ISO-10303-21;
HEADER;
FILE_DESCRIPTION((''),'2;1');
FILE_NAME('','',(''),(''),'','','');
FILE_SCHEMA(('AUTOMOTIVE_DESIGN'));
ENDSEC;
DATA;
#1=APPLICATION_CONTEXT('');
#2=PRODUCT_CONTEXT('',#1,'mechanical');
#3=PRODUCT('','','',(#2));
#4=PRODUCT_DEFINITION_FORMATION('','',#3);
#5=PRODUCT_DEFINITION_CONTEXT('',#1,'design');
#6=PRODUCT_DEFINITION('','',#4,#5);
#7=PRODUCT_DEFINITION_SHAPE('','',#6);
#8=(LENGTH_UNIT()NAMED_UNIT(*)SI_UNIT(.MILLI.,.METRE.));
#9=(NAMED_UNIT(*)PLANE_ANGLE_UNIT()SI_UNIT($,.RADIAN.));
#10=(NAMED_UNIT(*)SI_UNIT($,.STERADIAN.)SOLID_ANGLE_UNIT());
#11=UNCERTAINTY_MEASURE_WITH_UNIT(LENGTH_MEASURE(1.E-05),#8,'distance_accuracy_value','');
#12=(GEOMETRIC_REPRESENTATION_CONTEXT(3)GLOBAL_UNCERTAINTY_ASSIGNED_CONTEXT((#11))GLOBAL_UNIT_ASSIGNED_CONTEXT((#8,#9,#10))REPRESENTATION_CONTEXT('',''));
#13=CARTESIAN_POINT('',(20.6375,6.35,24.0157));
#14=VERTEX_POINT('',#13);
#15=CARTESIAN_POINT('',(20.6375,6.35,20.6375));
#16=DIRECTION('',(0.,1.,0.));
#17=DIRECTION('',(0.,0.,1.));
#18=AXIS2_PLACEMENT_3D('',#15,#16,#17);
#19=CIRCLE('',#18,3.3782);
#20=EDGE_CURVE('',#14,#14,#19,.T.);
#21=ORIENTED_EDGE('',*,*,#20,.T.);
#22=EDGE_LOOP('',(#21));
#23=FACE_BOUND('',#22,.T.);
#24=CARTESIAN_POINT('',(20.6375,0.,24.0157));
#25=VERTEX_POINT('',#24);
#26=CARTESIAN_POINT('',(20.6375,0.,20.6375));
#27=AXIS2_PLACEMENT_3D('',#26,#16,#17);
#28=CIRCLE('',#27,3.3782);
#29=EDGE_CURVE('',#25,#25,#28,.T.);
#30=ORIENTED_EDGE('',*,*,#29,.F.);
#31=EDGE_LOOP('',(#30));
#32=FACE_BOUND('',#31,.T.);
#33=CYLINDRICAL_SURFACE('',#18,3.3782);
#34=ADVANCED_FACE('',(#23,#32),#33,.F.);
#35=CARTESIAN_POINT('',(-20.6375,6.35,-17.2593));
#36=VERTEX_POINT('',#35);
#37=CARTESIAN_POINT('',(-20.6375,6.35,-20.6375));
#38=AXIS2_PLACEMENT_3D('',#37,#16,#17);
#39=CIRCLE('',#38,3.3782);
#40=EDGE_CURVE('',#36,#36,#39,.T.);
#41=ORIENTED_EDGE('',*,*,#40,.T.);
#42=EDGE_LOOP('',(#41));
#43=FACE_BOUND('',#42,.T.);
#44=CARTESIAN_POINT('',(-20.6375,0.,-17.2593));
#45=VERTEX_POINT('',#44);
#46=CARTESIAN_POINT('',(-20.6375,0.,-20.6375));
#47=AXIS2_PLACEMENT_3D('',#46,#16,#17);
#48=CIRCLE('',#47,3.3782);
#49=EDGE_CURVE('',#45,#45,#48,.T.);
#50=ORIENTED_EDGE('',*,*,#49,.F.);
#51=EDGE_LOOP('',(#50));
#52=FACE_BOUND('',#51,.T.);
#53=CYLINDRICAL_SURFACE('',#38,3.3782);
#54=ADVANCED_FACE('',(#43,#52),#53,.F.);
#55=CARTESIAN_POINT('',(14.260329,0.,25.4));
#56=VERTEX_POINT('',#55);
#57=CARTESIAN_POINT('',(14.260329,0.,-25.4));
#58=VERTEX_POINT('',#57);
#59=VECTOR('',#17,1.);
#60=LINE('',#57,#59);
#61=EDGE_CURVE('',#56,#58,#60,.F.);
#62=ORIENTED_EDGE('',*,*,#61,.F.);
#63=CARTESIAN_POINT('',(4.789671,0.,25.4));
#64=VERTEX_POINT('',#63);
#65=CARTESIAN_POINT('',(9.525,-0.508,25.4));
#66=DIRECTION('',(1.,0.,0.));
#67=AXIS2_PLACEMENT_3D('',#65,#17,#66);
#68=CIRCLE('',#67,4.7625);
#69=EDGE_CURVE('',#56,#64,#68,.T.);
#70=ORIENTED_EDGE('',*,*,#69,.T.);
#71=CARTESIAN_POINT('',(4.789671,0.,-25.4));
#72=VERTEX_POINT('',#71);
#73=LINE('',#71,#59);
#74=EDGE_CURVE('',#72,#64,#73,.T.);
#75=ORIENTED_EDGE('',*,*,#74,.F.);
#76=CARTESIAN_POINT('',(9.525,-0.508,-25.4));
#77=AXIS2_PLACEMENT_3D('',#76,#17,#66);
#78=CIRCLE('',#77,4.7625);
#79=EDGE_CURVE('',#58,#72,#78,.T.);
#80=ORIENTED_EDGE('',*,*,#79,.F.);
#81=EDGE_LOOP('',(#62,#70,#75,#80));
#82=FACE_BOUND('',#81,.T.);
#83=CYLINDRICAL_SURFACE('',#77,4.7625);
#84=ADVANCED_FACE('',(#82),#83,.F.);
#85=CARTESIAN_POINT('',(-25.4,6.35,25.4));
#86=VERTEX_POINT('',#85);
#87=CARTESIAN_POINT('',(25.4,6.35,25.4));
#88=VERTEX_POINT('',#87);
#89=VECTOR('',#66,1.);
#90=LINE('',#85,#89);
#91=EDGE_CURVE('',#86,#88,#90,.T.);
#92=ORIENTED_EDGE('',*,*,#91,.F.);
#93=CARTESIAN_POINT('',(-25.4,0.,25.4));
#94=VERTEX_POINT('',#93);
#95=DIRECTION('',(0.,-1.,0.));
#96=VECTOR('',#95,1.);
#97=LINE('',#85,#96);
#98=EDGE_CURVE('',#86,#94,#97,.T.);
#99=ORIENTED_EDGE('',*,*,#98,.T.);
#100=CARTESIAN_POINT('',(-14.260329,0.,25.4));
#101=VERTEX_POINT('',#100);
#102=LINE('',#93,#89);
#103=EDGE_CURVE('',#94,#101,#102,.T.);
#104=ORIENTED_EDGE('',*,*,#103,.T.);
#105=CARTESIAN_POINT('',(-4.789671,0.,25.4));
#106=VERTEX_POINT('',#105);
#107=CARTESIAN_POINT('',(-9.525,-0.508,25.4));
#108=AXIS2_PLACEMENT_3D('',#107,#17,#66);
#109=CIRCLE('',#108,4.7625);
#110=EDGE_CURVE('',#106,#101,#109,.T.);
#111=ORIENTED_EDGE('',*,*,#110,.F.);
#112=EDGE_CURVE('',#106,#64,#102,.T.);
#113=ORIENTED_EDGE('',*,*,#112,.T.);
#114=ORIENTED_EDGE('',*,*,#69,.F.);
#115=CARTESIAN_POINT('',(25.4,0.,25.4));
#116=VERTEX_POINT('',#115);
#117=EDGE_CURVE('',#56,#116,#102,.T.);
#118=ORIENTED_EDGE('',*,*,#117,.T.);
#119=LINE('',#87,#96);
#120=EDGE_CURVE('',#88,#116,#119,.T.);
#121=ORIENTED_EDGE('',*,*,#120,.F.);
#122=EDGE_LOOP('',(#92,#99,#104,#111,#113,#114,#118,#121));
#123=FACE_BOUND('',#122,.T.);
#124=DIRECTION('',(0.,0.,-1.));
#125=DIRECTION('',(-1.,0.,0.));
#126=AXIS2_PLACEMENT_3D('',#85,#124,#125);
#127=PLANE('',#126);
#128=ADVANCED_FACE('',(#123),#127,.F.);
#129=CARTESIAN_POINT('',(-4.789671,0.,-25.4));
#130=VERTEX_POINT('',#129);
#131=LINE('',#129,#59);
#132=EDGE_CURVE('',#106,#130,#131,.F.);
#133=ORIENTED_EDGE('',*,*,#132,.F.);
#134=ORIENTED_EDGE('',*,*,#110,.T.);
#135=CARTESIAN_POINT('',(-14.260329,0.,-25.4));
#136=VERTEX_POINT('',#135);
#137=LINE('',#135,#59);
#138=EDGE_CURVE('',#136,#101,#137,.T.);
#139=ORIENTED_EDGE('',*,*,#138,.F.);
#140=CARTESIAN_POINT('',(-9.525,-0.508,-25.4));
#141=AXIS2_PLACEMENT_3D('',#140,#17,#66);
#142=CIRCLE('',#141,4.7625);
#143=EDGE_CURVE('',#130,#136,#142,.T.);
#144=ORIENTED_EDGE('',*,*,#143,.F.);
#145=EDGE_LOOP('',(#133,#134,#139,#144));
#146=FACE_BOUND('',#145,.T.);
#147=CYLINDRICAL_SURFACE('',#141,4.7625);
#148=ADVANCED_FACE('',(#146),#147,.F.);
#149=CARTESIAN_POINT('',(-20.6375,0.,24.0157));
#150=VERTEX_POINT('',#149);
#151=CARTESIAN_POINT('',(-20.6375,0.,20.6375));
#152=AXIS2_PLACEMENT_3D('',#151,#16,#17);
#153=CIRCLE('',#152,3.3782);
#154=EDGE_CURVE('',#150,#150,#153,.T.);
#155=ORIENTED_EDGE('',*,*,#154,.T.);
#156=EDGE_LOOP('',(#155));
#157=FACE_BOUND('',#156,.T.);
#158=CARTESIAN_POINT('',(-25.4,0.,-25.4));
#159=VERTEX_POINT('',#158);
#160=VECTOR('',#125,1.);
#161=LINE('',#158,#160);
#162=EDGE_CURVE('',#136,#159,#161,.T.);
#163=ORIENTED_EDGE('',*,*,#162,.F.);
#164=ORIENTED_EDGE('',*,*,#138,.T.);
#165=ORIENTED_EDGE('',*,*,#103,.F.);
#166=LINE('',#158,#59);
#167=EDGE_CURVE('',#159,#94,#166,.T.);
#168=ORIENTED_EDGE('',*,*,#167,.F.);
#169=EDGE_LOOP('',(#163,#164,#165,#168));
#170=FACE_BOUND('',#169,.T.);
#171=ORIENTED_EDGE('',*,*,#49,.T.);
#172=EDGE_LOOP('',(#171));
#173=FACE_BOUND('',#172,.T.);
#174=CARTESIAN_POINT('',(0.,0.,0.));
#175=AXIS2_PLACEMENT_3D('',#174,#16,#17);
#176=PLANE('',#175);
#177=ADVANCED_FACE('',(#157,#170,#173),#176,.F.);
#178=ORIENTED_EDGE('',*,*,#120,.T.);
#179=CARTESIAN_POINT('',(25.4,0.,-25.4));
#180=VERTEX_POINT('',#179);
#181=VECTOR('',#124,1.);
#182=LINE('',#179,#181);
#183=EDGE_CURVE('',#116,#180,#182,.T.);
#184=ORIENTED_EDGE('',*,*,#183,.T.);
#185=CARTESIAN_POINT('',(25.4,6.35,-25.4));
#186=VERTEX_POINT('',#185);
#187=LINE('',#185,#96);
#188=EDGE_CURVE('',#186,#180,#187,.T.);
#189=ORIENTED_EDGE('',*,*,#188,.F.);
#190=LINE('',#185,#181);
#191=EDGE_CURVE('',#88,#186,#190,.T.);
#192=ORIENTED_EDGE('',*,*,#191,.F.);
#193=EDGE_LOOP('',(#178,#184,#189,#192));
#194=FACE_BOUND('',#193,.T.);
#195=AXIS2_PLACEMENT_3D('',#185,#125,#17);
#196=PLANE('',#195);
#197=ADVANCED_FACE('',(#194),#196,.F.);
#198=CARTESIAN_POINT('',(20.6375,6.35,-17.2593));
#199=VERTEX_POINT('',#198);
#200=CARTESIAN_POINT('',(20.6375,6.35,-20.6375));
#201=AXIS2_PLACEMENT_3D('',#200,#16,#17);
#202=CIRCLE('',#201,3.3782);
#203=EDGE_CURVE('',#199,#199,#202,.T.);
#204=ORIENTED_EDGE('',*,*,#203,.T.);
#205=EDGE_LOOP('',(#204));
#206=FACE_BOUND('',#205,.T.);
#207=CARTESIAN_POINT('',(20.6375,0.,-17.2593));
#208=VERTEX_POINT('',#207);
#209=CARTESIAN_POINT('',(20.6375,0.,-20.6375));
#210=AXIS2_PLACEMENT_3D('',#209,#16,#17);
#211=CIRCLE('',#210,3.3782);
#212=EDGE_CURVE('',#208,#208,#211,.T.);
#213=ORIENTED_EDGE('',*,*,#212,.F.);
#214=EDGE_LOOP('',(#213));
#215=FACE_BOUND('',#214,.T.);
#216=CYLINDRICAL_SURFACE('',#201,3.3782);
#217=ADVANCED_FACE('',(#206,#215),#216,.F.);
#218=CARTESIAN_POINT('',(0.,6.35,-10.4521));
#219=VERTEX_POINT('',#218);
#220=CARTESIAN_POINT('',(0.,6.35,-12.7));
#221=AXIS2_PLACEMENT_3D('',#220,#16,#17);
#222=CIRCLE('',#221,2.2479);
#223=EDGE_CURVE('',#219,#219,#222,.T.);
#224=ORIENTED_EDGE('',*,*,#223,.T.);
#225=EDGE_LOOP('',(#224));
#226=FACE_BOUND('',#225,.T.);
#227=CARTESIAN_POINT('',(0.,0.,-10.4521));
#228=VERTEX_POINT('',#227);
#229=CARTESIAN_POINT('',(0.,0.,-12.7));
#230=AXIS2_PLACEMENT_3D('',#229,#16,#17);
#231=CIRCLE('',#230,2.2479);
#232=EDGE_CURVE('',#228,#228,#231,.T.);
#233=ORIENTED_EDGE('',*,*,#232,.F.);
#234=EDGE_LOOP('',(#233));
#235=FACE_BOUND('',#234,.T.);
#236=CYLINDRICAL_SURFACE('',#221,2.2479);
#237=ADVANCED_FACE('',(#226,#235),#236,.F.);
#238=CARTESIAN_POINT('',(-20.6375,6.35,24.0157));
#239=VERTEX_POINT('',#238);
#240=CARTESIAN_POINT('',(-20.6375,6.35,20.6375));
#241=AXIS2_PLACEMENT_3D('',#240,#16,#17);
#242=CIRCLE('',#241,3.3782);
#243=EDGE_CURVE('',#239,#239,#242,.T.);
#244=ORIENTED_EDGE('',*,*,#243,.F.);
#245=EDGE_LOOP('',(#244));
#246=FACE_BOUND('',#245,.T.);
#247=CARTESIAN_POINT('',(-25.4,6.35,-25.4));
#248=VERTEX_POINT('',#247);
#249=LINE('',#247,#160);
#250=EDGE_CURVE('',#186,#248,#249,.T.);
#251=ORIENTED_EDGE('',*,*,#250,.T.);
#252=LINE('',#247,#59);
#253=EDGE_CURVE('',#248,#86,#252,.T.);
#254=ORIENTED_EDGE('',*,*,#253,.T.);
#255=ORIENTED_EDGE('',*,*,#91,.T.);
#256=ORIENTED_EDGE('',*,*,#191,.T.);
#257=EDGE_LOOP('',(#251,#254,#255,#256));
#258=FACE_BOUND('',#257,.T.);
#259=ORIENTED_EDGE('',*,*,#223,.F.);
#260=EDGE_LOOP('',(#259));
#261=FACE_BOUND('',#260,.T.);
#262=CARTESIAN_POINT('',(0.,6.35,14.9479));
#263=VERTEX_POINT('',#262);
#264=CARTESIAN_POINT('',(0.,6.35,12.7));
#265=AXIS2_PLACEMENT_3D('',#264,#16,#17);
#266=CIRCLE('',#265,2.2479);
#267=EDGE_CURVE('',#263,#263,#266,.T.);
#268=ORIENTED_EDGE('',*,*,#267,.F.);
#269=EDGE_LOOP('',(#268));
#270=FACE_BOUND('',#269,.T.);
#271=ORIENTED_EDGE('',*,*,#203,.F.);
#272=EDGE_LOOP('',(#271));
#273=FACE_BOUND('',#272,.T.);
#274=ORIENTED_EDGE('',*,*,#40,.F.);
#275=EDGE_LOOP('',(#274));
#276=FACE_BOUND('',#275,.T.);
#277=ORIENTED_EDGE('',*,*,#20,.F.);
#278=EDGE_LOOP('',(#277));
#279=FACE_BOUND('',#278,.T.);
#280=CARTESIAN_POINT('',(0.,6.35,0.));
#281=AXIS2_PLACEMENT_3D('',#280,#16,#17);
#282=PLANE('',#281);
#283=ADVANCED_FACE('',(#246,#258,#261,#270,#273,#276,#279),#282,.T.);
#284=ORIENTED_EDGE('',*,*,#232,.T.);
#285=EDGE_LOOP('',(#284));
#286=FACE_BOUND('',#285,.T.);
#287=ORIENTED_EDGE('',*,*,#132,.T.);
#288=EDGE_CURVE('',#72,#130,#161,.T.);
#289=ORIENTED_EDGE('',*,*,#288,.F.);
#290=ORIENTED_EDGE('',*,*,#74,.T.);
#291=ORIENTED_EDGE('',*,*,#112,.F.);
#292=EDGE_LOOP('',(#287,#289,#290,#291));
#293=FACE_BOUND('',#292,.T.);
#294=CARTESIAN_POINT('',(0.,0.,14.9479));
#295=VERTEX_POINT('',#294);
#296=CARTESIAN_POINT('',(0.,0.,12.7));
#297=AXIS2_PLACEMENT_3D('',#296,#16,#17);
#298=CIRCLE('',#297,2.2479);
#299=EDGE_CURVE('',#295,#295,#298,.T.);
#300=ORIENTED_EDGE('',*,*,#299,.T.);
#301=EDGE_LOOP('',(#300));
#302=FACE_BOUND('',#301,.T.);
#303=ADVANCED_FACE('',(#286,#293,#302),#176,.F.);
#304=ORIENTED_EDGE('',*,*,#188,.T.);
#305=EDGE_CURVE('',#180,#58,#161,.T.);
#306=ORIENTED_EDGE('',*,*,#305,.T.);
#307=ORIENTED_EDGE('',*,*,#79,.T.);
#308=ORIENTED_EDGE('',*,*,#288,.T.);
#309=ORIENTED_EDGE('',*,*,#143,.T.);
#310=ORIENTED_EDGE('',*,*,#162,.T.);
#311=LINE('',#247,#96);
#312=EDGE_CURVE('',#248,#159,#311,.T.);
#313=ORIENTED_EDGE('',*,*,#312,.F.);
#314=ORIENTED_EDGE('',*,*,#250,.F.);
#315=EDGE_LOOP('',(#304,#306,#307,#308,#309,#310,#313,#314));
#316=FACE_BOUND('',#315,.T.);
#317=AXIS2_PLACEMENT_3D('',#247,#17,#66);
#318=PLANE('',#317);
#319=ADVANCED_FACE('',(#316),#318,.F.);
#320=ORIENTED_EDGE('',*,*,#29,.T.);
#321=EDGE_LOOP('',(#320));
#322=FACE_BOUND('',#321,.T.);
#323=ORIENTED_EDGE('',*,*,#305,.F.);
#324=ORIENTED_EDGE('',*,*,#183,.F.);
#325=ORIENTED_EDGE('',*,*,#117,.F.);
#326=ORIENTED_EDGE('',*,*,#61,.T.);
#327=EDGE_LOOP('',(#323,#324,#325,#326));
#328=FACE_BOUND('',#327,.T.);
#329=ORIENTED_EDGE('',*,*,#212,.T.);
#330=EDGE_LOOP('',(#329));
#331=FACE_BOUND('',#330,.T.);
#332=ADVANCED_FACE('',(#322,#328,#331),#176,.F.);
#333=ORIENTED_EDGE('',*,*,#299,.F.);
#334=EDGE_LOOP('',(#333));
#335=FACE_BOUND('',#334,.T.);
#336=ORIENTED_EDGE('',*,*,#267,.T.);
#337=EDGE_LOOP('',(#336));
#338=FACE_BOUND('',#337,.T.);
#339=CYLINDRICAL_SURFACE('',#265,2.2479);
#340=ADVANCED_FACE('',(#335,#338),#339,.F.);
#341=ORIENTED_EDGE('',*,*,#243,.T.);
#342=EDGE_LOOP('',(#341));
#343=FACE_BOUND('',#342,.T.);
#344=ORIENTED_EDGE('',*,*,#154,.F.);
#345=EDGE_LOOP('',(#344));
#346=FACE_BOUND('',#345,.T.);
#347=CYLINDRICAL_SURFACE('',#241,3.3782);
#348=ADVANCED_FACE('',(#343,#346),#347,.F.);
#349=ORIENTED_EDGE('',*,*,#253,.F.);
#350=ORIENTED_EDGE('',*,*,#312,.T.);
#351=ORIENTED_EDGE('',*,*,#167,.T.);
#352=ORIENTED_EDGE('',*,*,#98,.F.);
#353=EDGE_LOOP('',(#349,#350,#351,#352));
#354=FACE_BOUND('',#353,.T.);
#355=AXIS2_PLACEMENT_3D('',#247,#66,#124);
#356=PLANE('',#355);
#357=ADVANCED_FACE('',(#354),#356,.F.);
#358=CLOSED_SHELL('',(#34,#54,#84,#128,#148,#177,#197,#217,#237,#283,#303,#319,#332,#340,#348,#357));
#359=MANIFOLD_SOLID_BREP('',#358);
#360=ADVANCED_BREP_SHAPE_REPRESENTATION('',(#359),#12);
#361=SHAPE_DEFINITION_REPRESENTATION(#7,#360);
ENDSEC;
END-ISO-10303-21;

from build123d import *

# Parameters (mm, degrees)
SKETCH1_W               = 50.8
SKETCH1_H               = 50.8
BOSS_EXTRUDE1_DEPTH     = 6.35
SKETCH2_R               = 4.7625
CUT_EXTRUDE1_DEPTH      = 58.15
F_1_4_CLEARANCE_HOLE1_D = 6.7564
F_8_CLEARANCE_HOLE1_D   = 4.4958


with BuildPart() as part:
    # Sketch1 → Boss-Extrude1 (new body)
    with BuildSketch(Plane(origin=(0, 0, 0), x_dir=(1, 0, 0), z_dir=(0, 1, 0))):
        Rectangle(SKETCH1_W, SKETCH1_H)
    extrude(amount=BOSS_EXTRUDE1_DEPTH)

    # Sketch2 → Cut-Extrude1 (cut, through all)
    with BuildSketch(Plane.XY.offset(25.4)):
        with Locations((-9.525, -0.508)):
            Circle(SKETCH2_R)
        with Locations((9.525, -0.508)):
            Circle(SKETCH2_R)
    extrude(amount=-CUT_EXTRUDE1_DEPTH, mode=Mode.SUBTRACT)

    # 1/4 Clearance Hole1 (through all)
    with Locations(Plane(origin=(0, 6.35, 0), x_dir=(1, 0, 0), z_dir=(0, 1, 0))):
        with Locations((-20.6375, -20.6375), (-20.6375, 20.6375), (20.6375, 20.6375), (20.6375, -20.6375)):
            Hole(F_1_4_CLEARANCE_HOLE1_D / 2)

    # #8 Clearance Hole1 (through all)
    with Locations(Plane(origin=(0, 6.35, 0), x_dir=(1, 0, 0), z_dir=(0, 1, 0))):
        with Locations((0, 12.7), (0, -12.7)):
            Hole(F_8_CLEARANCE_HOLE1_D / 2)


solid = part.part
